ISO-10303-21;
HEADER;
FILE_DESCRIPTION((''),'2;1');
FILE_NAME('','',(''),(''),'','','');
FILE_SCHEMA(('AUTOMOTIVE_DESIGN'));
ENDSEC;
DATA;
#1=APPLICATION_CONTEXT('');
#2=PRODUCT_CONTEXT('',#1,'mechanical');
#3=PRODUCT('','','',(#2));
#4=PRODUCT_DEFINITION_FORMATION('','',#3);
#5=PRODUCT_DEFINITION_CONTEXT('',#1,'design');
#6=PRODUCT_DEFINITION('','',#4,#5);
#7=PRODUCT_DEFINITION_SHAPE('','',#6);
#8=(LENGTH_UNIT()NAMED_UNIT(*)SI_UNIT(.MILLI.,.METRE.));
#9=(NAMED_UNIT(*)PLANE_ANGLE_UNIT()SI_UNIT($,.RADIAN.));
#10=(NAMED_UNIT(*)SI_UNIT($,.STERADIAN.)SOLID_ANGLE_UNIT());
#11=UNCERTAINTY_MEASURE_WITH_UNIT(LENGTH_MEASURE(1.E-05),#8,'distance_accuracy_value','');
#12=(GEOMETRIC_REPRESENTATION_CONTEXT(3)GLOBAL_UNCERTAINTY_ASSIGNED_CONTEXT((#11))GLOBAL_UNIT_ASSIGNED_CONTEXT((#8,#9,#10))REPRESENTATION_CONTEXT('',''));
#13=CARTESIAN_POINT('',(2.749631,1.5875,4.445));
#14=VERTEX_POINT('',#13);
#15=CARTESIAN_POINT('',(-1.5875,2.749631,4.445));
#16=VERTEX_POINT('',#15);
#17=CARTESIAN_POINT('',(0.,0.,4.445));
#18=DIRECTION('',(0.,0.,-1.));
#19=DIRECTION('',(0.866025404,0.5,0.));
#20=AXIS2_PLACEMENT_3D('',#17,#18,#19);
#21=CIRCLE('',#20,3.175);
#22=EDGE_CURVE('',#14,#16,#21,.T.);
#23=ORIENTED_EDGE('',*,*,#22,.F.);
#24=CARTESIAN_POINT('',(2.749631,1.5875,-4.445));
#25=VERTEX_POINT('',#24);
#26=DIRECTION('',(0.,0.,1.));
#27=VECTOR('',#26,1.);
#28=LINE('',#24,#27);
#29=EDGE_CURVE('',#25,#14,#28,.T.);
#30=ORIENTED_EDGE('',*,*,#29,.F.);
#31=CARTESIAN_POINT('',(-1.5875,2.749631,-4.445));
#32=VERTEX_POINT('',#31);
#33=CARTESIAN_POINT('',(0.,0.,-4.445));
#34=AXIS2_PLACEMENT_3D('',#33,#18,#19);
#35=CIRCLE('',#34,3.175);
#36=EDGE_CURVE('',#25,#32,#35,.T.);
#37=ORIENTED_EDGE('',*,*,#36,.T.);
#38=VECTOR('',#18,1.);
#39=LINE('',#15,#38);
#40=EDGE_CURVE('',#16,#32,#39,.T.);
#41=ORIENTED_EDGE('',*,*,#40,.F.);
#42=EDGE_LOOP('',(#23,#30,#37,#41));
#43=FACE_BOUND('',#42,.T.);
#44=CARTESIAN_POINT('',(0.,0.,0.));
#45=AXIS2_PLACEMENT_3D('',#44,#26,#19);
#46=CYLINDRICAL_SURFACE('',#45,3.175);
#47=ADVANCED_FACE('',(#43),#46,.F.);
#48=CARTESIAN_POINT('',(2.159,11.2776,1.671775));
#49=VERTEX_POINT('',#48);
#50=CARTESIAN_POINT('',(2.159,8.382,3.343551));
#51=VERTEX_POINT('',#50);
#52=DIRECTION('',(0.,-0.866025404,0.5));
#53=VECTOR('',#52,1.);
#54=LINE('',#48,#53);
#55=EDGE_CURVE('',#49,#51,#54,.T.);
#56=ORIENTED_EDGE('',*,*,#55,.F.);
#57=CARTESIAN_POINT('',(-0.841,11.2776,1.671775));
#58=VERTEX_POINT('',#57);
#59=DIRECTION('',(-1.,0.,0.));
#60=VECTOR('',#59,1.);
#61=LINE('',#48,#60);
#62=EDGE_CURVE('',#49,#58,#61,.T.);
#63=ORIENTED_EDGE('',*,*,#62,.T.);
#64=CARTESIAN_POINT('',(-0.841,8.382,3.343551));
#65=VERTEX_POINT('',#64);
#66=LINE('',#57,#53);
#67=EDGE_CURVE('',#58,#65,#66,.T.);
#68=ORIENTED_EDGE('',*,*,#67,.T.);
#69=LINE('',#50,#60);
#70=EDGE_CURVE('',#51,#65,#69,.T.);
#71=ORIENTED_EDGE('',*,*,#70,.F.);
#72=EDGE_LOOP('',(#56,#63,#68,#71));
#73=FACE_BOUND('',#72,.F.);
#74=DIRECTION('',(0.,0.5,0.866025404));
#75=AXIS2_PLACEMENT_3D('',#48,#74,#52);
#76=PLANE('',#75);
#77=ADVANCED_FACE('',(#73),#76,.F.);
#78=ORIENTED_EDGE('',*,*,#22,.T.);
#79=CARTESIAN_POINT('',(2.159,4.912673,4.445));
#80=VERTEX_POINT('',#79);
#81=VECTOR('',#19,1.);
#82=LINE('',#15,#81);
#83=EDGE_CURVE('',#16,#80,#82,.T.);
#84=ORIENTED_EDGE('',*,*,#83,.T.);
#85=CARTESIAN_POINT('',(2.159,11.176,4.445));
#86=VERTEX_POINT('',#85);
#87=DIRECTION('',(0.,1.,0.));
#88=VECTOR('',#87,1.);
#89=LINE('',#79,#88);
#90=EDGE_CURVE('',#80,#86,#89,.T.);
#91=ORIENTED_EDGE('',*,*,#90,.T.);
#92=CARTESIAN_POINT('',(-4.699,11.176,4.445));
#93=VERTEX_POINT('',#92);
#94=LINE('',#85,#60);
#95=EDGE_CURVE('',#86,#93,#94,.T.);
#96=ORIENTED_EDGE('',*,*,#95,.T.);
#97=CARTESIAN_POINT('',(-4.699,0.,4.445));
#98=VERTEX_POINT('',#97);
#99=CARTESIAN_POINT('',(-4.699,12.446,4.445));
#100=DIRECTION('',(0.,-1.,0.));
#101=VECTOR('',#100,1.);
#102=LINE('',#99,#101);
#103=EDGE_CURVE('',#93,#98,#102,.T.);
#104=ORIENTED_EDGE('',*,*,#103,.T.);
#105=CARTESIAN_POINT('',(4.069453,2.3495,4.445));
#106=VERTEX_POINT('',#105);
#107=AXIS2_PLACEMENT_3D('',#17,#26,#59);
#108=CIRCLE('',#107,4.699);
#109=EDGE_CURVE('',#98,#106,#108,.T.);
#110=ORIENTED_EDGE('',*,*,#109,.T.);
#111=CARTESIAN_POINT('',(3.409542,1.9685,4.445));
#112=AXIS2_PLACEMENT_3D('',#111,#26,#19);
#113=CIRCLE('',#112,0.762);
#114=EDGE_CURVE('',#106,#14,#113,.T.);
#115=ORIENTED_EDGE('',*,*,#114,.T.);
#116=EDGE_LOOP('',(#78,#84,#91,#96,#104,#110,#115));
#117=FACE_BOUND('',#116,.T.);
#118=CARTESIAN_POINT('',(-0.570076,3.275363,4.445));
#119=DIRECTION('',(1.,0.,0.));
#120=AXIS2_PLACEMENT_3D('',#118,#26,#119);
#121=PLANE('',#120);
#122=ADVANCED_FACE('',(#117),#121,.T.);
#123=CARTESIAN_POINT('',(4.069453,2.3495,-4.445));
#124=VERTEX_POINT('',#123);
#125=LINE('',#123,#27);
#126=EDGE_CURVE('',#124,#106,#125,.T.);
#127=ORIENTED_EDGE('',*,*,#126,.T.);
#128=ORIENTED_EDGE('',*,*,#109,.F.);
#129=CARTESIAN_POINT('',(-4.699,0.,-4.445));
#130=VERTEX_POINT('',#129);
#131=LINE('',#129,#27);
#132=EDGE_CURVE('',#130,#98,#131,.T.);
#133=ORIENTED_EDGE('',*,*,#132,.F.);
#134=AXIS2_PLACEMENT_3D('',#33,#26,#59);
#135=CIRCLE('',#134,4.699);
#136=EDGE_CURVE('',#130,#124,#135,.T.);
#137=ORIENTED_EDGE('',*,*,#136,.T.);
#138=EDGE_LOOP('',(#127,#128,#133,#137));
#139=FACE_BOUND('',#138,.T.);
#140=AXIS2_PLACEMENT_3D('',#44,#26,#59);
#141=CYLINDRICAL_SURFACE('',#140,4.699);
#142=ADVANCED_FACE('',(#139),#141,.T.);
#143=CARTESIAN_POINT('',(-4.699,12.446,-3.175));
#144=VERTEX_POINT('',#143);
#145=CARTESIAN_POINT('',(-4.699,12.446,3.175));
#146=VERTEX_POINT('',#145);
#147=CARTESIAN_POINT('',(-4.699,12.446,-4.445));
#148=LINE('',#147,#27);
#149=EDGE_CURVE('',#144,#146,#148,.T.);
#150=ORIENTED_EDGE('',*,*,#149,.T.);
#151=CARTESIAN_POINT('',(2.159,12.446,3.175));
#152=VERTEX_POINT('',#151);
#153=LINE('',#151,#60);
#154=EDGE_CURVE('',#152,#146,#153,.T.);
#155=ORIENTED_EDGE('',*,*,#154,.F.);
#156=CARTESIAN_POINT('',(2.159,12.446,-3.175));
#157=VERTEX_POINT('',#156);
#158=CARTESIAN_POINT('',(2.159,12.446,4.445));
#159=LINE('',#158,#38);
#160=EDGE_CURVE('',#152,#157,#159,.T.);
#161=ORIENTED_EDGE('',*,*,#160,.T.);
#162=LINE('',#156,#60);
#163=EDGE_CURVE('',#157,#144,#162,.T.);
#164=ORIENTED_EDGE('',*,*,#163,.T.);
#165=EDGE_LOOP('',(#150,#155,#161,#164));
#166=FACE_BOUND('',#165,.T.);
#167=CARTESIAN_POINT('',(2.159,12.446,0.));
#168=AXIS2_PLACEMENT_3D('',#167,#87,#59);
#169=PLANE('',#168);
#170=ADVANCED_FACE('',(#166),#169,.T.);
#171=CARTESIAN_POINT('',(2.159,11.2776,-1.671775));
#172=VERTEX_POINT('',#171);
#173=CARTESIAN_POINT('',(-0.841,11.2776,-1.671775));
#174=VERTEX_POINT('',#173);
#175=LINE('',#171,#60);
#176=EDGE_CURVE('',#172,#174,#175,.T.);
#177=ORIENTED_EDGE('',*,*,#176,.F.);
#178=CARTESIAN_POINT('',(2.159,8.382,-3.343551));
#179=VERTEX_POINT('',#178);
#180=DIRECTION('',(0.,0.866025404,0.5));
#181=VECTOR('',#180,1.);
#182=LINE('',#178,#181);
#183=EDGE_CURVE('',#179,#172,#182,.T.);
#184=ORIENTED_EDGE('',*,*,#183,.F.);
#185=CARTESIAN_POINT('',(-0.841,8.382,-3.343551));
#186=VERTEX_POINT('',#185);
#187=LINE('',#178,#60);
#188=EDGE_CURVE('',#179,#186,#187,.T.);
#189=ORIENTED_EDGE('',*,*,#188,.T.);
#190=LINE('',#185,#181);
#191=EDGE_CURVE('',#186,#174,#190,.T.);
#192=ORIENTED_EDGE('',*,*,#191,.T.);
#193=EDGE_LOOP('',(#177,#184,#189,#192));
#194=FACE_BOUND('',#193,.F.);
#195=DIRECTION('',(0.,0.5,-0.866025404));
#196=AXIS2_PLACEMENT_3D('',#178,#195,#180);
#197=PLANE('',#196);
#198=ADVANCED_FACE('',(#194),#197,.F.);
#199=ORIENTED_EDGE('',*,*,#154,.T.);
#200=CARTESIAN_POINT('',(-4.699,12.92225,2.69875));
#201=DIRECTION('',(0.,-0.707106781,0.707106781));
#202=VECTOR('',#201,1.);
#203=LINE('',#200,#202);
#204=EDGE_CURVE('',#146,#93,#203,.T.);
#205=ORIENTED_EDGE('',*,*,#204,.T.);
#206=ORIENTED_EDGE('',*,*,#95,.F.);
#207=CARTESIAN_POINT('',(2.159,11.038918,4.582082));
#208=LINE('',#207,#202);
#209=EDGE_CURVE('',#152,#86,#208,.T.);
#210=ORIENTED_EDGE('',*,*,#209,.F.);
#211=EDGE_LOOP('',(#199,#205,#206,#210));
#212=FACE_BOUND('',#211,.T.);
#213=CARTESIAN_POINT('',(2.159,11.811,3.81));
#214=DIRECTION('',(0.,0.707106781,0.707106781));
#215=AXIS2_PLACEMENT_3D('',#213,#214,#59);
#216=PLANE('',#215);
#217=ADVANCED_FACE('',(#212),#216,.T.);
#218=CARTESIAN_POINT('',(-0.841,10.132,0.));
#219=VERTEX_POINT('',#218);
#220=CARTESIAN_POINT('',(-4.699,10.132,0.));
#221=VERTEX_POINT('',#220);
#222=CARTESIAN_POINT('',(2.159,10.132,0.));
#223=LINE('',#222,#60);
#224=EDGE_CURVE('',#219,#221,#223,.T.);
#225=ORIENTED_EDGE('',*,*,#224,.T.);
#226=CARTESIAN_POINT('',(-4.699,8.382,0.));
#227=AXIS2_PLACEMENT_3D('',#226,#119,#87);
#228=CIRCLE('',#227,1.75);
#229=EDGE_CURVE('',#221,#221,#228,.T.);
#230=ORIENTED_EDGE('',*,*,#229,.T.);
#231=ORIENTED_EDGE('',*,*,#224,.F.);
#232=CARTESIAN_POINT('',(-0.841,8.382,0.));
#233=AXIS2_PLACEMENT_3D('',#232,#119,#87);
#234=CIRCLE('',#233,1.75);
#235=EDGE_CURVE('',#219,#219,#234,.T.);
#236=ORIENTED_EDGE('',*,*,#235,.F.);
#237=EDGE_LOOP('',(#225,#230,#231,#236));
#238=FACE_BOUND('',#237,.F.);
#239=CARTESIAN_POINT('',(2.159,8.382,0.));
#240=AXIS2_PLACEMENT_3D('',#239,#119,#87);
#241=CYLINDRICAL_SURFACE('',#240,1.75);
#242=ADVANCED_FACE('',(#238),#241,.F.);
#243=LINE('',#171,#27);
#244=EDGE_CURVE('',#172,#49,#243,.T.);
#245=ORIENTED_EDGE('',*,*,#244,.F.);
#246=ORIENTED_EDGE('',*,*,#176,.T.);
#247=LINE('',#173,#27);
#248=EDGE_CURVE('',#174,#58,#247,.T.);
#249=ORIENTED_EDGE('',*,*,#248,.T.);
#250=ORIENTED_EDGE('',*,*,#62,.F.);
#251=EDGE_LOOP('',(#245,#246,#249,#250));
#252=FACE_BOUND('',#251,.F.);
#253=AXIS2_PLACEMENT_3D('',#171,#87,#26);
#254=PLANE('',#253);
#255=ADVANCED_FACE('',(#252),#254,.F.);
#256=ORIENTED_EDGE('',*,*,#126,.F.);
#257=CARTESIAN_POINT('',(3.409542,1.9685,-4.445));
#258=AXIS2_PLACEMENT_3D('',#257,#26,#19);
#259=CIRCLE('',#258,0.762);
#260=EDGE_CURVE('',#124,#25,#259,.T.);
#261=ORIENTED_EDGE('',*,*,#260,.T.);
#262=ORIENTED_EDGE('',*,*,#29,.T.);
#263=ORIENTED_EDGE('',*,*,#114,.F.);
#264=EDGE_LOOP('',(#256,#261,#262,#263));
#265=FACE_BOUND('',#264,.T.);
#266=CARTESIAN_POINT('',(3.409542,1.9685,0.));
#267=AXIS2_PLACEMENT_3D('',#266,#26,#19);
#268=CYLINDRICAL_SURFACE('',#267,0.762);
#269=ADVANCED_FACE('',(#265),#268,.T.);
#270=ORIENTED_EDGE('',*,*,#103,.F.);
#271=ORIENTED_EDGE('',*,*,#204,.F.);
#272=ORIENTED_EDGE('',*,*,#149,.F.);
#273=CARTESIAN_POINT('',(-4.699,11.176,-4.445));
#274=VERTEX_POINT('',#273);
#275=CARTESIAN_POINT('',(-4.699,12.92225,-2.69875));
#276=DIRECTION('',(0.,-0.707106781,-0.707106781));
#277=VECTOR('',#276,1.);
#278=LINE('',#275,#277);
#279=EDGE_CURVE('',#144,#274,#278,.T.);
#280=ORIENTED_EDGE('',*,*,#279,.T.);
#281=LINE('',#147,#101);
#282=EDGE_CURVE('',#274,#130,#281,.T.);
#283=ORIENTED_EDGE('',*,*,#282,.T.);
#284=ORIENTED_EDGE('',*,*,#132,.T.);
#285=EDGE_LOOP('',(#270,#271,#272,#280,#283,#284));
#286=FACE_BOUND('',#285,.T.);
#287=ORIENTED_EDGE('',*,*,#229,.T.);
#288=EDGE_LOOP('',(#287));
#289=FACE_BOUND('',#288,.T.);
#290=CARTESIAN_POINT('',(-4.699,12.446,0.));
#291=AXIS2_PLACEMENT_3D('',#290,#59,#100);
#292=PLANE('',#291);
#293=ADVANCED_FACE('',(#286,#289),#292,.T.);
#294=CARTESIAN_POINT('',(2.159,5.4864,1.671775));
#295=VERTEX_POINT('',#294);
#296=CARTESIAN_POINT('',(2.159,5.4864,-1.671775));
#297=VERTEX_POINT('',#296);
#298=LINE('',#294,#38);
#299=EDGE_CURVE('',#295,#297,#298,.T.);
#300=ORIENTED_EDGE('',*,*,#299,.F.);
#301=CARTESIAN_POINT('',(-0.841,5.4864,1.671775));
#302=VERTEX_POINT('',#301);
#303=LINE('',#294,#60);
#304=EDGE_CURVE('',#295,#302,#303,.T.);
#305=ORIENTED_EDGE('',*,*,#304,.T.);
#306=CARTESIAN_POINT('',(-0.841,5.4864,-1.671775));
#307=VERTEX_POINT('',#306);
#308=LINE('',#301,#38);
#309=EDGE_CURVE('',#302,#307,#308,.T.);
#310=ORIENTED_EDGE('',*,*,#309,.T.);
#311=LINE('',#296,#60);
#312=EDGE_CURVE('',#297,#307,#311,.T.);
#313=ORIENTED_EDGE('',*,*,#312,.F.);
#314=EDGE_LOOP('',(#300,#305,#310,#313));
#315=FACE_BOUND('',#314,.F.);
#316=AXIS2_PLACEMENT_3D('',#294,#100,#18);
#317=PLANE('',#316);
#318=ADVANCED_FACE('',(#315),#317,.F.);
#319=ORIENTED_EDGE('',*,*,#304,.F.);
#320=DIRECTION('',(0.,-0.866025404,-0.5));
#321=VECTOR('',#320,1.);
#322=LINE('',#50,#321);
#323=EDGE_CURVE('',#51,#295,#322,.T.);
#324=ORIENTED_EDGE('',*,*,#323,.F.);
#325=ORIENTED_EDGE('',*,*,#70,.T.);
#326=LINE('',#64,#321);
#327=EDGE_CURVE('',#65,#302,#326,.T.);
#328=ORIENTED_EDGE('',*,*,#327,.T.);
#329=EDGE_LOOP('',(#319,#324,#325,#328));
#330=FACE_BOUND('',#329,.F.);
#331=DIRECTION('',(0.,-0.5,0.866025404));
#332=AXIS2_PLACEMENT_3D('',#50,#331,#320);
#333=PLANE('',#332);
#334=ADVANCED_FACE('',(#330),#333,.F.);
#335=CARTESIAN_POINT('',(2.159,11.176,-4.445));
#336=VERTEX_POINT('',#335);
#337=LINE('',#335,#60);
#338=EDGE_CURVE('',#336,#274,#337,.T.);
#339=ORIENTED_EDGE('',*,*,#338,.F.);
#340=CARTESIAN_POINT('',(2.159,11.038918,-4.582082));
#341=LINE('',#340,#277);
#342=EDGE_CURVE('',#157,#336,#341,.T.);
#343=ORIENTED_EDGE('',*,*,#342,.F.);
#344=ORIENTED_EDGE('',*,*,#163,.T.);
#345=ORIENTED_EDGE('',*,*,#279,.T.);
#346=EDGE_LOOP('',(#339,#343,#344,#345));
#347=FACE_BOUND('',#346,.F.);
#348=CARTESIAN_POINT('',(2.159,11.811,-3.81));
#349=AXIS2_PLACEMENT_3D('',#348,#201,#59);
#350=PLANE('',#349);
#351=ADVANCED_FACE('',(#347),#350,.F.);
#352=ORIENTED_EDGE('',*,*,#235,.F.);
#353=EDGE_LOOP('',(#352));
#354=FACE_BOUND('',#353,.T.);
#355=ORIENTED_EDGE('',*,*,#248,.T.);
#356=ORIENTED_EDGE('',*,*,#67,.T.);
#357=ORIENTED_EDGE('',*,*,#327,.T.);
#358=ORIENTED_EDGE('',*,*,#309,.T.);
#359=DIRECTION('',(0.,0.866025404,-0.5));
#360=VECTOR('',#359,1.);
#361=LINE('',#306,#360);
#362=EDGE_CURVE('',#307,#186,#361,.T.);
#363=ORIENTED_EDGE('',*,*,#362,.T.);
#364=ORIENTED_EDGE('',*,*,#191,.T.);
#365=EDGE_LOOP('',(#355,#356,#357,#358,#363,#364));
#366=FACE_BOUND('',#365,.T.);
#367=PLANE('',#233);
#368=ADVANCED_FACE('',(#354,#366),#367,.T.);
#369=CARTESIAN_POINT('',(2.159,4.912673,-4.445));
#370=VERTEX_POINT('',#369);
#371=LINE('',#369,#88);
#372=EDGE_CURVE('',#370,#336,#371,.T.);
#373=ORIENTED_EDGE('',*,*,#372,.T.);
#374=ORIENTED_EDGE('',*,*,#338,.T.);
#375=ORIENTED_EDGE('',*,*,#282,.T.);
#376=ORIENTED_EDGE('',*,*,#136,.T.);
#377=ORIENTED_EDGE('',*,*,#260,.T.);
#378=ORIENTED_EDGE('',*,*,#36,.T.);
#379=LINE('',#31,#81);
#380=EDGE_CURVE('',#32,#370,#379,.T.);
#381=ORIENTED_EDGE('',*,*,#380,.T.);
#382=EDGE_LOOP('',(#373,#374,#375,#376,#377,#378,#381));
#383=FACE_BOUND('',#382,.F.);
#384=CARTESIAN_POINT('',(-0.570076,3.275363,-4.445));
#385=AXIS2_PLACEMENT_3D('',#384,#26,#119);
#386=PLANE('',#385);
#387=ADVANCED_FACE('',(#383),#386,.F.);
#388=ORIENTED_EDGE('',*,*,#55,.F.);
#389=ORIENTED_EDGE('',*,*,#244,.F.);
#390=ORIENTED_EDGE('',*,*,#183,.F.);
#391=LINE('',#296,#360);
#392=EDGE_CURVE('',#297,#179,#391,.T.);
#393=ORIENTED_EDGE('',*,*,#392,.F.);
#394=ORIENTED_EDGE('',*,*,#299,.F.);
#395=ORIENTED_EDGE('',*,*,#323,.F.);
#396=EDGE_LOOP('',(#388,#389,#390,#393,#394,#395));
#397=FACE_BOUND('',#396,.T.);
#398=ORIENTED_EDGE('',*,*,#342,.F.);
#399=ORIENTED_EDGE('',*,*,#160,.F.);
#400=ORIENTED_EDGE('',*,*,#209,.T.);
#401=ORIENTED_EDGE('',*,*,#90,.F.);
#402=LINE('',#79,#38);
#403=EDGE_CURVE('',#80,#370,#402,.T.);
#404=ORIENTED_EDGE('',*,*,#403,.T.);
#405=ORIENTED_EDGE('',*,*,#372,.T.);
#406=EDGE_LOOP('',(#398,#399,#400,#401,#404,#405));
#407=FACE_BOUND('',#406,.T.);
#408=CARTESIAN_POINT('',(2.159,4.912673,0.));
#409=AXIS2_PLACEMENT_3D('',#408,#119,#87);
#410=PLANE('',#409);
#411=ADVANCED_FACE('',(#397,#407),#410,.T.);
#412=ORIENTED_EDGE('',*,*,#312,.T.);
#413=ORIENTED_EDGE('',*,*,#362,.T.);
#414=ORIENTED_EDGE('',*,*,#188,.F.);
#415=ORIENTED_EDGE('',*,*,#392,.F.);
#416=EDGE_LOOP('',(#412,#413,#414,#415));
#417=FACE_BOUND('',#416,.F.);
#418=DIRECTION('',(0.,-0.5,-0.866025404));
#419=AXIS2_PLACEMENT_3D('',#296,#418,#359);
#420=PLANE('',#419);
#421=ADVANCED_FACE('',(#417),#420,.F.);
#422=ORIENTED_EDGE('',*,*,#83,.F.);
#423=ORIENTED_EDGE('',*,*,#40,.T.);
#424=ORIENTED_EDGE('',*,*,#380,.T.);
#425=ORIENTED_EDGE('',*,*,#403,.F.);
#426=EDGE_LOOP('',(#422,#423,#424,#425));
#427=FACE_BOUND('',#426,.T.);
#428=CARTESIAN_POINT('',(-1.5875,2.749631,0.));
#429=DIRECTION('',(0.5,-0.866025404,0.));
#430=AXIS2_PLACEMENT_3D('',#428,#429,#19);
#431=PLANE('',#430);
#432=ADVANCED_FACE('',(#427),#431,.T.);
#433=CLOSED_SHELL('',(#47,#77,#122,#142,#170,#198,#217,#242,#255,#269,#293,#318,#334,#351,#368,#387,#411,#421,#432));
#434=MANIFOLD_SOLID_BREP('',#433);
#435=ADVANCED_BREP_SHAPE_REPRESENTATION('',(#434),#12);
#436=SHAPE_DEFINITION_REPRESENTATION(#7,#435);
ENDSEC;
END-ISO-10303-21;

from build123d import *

# Parameters (mm, degrees)
F1_DEPTH = 4.445
F2_R     = 1.75
F3_DEPTH = 6.859
F5_DEPTH = 3
F6_SIZE  = 1.27


with BuildPart() as f1:
    # F0 (on Top) → F1 (new body, symmetric)
    with BuildSketch(Plane.XY):
        with BuildLine():
            Line((2.159, 12.446), (-4.699, 12.446))
            Line((-4.699, 12.446), (-4.699, 0))
            ThreePointArc((-4.699, 0), (1.2161906929, -4.5388854577), (4.0694533724, 2.3495))
            ThreePointArc((4.0694533724, 2.3495), (3.0285420147, 2.6284113577), (2.749630657, 1.5875))
            ThreePointArc((2.749630657, 1.5875), (-0.8217504682, -3.0668144985), (-1.5875, 2.749630657))
            Line((-1.5875, 2.749630657), (2.159, 4.9126734405))
            Line((2.159, 4.9126734405), (2.159, 12.446))
        make_face()
    extrude(amount=F1_DEPTH, both=True)

    # F2 (on face) → F3 (cut, through all)
    with BuildSketch(Plane.YZ.offset(2.159)):
        with Locations((8.382, 0)):
            Circle(F2_R)
    extrude(amount=-F3_DEPTH, mode=Mode.SUBTRACT)

    # F4 (on face) → F5 (cut)
    with BuildSketch(Plane.YZ.offset(2.159)):
        Polygon((11.2776, -1.6717754395), (11.2776, 1.6717754395), (8.382, 3.3435508789), (5.4864, 1.6717754395), (5.4864, -1.6717754395), (8.382, -3.3435508789), align=None)
    extrude(amount=-F5_DEPTH, mode=Mode.SUBTRACT)

    # F6
    f6_edges = [f1.edges().sort_by_distance(p)[0] for p in [
        (-1.27, 12.446, -4.445),
        (-1.27, 12.446, 4.445),
    ]]
    chamfer(f6_edges, length=F6_SIZE)


solid = f1.part
